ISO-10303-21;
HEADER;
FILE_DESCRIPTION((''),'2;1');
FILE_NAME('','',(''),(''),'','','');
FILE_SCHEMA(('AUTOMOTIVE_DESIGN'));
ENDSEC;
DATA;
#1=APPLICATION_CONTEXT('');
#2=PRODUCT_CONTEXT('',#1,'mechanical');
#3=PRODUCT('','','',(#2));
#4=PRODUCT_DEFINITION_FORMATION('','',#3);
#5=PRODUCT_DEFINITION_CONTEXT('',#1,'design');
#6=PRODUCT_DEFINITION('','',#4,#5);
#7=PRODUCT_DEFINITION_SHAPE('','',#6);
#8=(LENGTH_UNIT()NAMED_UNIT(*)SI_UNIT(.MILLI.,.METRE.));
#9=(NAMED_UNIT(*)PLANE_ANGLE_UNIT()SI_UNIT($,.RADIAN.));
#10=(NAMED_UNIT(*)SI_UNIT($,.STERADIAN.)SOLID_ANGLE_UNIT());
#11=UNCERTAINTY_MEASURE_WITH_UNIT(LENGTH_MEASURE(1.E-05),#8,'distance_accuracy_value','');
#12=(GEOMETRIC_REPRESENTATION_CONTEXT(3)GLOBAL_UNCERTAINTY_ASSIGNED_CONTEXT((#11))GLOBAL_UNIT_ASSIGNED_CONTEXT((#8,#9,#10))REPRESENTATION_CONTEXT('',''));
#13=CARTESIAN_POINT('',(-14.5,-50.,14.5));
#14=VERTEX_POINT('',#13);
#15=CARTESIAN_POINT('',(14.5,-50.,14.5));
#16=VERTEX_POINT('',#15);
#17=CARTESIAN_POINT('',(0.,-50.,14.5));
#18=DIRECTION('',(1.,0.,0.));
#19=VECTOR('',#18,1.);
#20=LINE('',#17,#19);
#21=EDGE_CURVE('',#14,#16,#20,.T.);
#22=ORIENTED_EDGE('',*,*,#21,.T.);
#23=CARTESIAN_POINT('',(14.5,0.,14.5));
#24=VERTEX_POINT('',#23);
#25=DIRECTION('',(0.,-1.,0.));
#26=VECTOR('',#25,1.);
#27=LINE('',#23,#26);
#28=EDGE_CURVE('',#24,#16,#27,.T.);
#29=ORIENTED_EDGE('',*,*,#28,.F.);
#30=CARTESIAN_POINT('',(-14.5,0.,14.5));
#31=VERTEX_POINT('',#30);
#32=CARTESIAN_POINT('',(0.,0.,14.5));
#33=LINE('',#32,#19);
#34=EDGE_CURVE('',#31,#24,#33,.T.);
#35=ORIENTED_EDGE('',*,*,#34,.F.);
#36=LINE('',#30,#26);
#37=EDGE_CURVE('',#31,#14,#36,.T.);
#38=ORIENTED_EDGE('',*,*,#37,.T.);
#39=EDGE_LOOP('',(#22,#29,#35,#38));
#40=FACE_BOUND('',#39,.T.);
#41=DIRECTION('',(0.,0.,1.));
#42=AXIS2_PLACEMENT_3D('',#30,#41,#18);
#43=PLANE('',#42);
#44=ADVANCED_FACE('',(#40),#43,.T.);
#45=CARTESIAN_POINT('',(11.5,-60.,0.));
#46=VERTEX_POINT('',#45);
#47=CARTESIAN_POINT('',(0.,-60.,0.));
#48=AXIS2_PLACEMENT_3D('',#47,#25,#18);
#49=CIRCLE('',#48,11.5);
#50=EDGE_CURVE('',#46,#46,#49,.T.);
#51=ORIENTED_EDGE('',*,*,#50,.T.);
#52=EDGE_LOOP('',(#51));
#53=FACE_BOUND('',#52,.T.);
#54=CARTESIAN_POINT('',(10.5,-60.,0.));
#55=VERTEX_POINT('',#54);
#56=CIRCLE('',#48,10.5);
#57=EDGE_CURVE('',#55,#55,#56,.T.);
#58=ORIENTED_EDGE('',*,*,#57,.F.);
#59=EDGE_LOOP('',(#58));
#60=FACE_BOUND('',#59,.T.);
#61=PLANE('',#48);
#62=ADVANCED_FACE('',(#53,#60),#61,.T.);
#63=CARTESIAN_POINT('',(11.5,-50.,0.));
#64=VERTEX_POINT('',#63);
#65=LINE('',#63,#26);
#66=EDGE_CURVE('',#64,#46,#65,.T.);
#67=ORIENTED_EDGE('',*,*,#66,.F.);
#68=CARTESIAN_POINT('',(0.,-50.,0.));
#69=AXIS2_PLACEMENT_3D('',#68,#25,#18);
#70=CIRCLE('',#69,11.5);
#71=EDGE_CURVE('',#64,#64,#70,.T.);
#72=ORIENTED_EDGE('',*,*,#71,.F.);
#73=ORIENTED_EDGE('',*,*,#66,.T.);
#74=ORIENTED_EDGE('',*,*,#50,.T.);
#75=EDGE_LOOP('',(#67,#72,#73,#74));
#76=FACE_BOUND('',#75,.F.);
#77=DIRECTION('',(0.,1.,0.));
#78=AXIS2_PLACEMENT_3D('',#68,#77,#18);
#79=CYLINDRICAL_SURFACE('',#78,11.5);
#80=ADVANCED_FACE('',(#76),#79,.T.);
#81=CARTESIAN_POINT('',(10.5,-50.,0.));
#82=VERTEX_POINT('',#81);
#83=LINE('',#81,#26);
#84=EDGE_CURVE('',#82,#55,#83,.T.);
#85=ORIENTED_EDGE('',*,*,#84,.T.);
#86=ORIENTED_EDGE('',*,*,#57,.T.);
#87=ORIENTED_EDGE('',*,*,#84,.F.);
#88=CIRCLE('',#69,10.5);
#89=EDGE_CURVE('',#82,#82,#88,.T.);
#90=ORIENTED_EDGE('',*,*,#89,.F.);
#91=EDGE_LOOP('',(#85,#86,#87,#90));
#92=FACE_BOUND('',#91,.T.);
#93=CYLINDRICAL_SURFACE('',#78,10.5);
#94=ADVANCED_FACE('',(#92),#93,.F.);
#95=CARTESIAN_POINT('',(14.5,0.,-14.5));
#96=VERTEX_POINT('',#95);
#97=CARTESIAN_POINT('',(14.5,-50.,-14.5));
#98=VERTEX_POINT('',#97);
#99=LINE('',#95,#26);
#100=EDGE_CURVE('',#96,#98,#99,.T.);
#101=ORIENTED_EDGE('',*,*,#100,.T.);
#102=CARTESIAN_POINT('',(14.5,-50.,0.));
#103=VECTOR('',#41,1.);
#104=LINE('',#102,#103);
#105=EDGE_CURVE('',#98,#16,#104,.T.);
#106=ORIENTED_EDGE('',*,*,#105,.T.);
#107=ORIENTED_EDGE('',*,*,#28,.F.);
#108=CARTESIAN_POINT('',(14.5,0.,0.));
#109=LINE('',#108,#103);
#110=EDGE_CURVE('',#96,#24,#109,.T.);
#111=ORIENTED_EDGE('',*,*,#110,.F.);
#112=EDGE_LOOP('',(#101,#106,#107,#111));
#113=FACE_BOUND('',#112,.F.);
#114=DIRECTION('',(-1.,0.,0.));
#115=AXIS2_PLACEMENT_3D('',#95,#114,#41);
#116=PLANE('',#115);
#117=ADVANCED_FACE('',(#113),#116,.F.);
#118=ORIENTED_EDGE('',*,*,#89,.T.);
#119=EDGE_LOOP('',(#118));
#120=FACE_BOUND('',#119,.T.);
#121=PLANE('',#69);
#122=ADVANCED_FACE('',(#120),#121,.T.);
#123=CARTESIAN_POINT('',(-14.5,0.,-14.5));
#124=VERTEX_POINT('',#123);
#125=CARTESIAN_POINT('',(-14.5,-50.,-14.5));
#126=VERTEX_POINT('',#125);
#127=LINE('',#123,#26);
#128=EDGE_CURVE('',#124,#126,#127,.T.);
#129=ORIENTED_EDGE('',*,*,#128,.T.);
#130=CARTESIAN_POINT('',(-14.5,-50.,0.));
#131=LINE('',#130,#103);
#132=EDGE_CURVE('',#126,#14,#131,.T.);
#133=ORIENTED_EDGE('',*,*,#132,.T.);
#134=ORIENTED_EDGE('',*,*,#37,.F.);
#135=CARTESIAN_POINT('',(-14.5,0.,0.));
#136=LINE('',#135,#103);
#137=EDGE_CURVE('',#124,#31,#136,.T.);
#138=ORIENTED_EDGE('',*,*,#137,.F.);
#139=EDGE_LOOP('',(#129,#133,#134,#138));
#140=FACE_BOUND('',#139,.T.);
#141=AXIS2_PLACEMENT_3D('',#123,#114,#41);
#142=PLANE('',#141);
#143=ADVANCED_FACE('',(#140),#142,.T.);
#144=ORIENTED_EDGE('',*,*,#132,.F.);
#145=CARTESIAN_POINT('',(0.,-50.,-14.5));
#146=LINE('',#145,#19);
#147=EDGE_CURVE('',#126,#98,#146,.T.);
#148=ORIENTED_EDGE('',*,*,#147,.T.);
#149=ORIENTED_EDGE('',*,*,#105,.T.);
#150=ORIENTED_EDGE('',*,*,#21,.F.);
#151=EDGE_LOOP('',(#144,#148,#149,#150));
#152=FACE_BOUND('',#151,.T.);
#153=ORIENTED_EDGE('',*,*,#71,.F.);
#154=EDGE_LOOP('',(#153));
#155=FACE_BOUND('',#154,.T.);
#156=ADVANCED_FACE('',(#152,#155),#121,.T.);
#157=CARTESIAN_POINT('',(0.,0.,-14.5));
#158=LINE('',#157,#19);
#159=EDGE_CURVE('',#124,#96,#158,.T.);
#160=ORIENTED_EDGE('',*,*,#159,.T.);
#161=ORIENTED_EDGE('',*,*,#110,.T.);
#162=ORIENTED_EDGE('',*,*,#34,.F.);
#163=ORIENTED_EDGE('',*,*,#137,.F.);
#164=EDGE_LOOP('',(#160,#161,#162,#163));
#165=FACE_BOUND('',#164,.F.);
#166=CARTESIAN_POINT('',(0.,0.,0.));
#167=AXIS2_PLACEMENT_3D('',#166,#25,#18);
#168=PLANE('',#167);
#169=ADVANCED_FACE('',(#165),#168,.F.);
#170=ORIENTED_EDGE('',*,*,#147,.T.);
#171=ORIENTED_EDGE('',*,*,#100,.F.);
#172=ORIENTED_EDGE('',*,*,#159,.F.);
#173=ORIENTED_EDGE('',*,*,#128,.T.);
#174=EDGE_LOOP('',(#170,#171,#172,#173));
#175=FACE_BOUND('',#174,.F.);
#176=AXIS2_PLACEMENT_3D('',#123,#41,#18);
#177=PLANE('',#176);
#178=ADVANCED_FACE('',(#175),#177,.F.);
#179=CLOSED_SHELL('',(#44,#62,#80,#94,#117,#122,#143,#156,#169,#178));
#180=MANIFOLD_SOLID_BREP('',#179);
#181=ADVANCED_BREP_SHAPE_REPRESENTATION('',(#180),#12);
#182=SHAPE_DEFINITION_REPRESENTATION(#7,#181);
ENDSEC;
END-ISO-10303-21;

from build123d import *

# Parameters (mm, degrees)
F0_W     = 29
F0_H     = 29
F1_DEPTH = 50
F2_R     = 11.5
F2_R_2   = 10.5
F3_DEPTH = 10


with BuildPart() as f1:
    # F0 (on Front) → F1 (new body)
    with BuildSketch(Plane.XZ):
        Rectangle(F0_W, F0_H)
    extrude(amount=F1_DEPTH)

    # F2 (on face) → F3 (join)
    with BuildSketch(Plane.XZ.offset(50)):
        Circle(F2_R)
        Circle(F2_R_2, mode=Mode.SUBTRACT)
    extrude(amount=F3_DEPTH)


solid = f1.part
